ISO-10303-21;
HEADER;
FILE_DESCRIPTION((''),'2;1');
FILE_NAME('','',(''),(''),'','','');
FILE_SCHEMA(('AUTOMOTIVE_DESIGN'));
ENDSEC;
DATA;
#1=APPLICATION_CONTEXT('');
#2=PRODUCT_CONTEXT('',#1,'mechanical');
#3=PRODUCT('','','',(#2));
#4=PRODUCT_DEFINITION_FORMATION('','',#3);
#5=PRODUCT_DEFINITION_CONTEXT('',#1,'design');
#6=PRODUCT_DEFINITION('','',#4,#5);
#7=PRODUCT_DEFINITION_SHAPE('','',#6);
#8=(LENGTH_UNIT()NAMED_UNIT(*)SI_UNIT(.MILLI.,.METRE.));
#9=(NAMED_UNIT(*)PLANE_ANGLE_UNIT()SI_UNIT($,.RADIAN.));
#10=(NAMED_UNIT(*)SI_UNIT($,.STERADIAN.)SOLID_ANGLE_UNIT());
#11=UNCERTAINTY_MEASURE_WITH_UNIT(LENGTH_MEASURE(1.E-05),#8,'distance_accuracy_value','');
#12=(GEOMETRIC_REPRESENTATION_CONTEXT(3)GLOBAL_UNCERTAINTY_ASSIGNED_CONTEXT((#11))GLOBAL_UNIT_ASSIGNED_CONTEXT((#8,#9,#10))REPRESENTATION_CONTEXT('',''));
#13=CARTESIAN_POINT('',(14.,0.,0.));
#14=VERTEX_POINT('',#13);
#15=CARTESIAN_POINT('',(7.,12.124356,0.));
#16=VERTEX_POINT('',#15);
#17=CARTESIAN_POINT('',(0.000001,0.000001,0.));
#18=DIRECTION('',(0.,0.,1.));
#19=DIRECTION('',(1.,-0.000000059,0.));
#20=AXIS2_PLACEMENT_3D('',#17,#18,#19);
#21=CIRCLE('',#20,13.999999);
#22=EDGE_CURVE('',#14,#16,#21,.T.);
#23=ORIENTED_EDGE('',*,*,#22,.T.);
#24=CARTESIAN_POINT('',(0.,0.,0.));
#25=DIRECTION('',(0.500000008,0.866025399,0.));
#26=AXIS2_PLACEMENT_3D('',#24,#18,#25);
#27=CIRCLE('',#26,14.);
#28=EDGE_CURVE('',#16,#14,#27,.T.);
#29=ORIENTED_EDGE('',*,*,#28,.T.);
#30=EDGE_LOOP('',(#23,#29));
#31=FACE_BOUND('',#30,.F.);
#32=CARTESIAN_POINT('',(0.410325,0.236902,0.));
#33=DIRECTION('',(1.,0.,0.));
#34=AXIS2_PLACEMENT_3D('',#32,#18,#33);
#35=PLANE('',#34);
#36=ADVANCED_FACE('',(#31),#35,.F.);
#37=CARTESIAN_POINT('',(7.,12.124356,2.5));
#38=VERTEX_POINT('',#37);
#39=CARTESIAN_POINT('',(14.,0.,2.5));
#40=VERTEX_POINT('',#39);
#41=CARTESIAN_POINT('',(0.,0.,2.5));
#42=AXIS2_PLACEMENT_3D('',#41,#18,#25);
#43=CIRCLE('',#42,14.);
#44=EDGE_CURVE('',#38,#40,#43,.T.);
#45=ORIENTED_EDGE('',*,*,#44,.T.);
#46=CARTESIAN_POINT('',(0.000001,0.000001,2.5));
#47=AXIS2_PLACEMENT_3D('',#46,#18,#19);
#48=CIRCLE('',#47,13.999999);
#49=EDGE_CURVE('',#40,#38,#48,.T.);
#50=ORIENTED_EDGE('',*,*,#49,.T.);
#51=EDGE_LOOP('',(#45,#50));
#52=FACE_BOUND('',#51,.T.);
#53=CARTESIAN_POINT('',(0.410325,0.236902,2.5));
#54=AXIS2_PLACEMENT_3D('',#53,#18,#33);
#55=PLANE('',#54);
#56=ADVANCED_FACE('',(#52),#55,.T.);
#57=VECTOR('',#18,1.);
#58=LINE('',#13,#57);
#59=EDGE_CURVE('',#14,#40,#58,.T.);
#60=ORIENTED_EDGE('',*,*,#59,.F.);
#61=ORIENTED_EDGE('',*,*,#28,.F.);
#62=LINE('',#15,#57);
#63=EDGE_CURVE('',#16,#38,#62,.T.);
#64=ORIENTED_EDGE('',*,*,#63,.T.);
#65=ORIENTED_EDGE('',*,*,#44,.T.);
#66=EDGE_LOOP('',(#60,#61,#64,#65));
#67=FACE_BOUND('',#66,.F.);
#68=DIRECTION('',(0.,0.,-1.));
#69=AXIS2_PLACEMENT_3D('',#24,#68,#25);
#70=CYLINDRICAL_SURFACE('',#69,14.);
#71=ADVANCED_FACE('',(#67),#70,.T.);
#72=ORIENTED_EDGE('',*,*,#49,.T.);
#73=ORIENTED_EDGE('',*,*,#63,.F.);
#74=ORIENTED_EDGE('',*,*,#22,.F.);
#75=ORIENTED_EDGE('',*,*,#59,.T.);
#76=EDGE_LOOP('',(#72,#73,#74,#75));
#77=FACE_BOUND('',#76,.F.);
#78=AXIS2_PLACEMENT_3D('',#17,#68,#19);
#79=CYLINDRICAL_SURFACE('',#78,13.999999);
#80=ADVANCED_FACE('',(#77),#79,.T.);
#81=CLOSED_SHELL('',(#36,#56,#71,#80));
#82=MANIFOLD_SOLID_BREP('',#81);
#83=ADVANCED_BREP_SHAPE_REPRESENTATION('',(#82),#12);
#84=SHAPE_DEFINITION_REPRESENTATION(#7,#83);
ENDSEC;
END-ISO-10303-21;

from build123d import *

# Parameters (mm, degrees)
F1_DEPTH = 2.5


with BuildPart() as f1:
    # F0 (on Top) → F1 (new body)
    with BuildSketch(Plane.XY):
        with BuildLine():
            ThreePointArc((7, 12.124356), (-12.124356, -7), (14, 0))
            Line((14, 0), (0, 0))
            Line((0, 0), (7, 12.124356))
        make_face()
        with BuildLine():
            Line((0, 0), (14, 0))
            ThreePointArc((14, 0), (12.124356, 7), (7, 12.124356))
            Line((7, 12.124356), (0, 0))
        make_face()
    extrude(amount=F1_DEPTH)


solid = f1.part
